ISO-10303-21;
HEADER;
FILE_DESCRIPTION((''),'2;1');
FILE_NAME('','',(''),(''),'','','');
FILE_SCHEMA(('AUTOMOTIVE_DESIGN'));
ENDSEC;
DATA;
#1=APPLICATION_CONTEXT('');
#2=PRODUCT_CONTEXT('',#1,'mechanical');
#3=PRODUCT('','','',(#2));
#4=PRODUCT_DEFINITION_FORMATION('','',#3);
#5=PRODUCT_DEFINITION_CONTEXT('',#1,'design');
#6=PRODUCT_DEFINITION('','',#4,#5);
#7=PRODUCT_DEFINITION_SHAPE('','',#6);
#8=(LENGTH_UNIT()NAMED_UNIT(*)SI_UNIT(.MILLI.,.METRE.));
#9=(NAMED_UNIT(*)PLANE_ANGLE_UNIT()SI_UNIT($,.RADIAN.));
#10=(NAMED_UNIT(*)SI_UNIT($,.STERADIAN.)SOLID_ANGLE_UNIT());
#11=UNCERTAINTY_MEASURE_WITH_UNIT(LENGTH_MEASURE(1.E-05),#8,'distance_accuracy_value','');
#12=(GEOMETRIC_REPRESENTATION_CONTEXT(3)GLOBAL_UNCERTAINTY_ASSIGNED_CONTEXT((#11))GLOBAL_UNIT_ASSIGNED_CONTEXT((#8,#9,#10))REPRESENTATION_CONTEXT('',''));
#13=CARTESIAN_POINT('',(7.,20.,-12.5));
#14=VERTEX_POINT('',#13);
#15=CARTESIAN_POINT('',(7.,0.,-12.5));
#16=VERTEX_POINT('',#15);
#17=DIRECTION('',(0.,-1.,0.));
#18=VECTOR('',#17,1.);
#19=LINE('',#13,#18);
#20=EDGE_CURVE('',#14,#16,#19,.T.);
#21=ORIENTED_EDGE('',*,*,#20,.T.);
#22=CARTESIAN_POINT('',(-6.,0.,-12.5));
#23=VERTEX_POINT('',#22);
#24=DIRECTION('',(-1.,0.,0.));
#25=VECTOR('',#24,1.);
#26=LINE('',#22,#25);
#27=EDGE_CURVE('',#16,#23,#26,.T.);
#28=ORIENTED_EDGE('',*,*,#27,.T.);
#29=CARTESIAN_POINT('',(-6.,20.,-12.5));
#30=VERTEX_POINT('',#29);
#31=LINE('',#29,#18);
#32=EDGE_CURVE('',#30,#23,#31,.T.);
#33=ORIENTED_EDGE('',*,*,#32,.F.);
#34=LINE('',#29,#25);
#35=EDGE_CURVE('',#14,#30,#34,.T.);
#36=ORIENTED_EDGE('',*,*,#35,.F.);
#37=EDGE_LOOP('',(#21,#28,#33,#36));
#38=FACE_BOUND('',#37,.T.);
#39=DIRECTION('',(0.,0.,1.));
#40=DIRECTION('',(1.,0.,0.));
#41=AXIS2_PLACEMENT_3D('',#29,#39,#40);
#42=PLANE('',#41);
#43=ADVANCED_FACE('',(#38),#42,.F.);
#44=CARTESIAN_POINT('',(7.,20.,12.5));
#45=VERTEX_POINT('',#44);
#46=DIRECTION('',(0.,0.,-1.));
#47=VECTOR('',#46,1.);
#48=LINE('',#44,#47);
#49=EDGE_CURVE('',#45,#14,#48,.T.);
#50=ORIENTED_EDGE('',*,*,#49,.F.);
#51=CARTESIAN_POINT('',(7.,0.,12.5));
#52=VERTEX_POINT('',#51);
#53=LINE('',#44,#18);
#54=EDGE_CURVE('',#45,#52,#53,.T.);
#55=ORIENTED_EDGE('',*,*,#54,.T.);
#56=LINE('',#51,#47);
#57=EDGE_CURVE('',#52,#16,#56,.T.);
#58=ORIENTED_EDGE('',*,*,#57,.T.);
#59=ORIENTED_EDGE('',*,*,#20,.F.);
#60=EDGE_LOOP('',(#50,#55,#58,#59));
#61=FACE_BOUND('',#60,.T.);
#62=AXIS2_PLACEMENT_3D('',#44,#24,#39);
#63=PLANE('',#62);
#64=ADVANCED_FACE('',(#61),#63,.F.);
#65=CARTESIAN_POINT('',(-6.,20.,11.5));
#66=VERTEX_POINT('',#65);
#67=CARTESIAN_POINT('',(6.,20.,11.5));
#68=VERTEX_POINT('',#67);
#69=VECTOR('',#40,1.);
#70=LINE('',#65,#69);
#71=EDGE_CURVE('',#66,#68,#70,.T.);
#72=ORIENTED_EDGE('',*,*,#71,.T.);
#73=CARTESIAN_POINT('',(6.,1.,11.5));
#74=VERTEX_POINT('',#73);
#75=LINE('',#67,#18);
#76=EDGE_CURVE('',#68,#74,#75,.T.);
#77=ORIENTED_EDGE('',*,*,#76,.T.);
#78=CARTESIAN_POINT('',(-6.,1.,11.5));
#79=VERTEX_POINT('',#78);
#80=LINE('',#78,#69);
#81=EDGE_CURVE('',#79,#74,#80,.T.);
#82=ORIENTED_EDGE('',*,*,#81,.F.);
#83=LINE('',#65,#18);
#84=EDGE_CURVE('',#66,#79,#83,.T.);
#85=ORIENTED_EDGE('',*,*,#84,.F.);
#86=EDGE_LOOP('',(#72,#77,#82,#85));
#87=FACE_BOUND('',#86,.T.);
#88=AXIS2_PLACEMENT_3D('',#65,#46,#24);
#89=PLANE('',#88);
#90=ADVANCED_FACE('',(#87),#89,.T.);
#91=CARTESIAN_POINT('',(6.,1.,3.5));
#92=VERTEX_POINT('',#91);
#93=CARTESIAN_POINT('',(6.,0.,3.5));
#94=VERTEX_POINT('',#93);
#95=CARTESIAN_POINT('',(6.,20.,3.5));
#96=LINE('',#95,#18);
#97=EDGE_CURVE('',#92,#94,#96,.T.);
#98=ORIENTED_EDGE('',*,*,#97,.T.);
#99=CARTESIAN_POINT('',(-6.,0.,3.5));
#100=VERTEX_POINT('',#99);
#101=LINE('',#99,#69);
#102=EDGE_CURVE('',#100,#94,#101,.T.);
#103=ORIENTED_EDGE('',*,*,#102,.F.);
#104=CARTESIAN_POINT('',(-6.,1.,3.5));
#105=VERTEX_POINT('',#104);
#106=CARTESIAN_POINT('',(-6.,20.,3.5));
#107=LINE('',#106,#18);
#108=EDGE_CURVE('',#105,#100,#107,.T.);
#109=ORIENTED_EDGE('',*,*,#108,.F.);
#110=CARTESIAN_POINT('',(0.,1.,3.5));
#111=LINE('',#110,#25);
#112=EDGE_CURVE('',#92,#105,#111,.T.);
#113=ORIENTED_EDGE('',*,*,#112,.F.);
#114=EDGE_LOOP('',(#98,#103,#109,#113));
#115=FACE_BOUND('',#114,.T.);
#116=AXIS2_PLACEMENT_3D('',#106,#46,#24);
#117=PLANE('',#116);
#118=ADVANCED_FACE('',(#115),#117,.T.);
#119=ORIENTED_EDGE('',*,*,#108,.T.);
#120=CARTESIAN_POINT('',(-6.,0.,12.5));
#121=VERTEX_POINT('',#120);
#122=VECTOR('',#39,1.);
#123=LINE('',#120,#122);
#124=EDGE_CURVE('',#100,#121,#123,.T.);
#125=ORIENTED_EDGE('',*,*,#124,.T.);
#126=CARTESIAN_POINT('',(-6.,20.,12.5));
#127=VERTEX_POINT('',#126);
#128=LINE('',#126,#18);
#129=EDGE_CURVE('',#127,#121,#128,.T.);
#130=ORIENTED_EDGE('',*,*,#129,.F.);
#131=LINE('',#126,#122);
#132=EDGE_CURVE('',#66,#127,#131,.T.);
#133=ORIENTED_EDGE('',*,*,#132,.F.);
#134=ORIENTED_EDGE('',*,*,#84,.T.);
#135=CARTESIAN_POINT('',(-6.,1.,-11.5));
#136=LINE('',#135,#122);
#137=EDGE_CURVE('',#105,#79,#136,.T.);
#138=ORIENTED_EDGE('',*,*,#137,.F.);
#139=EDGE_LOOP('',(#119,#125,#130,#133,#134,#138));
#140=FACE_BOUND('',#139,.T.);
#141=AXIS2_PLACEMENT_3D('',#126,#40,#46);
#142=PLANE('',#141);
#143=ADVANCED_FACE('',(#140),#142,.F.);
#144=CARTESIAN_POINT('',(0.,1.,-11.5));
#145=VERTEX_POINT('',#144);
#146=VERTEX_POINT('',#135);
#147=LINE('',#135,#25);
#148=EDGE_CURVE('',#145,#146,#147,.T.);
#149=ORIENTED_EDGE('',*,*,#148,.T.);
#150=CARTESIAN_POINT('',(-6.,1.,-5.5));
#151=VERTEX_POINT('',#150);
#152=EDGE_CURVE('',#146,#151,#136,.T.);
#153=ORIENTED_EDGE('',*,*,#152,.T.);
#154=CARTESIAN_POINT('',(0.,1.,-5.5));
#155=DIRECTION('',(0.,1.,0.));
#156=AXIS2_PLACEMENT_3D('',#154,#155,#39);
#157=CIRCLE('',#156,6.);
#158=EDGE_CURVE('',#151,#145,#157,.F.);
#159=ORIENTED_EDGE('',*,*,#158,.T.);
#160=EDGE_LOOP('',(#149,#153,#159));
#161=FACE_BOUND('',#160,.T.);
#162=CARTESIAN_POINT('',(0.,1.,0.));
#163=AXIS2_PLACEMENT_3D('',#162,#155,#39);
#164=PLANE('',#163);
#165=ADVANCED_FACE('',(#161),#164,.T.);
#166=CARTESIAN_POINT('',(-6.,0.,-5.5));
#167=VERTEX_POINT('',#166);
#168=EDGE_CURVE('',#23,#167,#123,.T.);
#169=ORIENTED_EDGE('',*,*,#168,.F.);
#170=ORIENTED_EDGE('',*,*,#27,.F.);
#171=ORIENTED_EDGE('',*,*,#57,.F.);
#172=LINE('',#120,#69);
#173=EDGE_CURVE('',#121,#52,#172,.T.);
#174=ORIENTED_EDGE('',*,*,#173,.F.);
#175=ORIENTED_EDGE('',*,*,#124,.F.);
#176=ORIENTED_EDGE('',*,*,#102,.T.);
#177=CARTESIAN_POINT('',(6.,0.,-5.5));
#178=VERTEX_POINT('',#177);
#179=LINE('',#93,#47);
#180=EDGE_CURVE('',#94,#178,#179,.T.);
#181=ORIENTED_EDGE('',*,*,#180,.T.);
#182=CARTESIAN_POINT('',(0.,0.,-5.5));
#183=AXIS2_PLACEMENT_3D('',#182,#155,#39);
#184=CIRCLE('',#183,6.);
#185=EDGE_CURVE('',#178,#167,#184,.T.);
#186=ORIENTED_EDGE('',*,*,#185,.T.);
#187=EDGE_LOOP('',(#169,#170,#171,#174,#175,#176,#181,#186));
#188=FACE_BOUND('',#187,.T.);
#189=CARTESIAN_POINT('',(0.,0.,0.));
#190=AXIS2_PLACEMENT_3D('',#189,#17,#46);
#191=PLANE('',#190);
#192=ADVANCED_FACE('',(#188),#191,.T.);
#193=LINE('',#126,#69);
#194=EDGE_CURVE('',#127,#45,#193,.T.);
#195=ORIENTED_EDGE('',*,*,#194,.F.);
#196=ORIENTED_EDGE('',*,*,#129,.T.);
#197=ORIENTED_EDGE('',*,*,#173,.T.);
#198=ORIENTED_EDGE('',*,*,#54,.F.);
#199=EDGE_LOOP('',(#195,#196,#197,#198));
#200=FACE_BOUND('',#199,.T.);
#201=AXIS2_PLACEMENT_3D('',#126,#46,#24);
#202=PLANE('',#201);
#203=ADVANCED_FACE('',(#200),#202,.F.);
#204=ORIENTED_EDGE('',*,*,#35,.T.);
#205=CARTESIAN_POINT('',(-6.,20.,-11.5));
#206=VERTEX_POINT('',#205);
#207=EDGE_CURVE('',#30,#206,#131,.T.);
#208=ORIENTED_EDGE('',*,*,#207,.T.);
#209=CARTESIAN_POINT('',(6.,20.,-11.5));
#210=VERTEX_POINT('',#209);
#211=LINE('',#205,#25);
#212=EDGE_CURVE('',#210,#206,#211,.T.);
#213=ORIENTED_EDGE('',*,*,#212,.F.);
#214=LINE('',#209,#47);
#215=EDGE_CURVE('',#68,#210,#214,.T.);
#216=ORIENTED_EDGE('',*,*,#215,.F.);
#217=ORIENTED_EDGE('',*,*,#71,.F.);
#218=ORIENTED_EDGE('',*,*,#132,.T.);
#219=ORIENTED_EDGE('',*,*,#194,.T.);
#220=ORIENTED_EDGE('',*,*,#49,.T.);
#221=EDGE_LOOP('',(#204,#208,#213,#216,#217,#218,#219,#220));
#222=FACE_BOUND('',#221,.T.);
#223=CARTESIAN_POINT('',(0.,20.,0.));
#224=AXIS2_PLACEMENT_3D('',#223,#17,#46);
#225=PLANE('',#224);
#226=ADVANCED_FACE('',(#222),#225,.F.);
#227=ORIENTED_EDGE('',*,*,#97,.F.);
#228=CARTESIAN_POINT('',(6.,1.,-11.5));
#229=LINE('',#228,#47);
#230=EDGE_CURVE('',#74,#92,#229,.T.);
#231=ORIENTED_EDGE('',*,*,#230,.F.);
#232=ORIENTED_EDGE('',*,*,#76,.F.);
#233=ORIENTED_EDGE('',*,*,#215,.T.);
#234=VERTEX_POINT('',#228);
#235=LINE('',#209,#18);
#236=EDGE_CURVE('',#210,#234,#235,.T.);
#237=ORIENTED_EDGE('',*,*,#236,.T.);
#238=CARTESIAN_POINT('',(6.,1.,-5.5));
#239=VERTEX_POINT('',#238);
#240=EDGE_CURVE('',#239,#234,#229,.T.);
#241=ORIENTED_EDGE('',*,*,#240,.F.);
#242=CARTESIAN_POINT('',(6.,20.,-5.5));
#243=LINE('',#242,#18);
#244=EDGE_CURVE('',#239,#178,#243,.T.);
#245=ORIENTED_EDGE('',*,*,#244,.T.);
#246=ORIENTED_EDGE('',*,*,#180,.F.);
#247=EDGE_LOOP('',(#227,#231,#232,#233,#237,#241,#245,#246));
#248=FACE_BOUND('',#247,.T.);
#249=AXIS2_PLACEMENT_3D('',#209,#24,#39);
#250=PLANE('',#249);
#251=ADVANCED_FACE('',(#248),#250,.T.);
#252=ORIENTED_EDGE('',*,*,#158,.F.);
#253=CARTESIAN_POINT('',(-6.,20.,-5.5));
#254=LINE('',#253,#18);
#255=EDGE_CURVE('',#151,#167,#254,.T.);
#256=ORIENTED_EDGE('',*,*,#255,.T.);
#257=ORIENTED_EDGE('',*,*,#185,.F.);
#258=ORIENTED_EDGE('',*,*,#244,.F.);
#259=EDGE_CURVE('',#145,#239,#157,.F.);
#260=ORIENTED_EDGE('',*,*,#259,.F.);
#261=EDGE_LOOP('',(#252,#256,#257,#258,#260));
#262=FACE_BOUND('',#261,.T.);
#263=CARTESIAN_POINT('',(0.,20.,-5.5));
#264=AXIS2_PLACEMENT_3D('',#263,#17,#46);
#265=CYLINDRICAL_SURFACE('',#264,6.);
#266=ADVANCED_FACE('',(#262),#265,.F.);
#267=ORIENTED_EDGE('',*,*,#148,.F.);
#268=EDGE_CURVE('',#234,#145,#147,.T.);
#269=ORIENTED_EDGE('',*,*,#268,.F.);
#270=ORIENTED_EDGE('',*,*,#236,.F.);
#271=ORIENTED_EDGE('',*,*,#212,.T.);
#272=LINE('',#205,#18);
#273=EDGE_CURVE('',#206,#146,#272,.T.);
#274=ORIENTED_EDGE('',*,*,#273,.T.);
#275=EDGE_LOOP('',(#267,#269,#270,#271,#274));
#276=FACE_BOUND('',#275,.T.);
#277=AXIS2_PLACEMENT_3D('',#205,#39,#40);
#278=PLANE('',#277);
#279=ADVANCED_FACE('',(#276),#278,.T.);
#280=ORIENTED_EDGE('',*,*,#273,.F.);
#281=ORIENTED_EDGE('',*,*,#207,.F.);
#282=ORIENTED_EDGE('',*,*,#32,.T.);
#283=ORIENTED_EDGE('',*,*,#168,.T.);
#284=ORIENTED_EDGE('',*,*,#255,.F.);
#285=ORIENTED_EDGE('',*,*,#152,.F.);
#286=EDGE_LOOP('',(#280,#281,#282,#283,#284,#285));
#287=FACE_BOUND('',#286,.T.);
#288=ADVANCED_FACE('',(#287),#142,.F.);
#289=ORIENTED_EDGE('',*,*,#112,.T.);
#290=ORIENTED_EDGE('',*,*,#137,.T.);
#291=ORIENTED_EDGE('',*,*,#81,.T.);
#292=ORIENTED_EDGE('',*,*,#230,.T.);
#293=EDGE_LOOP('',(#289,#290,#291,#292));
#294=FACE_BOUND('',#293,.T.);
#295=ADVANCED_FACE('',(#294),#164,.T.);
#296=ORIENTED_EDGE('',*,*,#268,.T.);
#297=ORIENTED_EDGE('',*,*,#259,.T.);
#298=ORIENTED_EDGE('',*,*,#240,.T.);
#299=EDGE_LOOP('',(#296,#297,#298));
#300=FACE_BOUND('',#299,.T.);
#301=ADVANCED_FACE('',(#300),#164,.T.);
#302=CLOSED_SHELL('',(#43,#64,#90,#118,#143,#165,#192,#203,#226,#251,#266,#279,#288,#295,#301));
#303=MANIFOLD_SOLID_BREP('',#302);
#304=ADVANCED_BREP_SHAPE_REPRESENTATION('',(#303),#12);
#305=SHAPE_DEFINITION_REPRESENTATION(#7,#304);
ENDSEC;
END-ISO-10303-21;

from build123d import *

# Parameters (mm, degrees)
SKETCH_15_W          = 13
SKETCH_15_H          = 25
EXTRUDE_4_DEPTH      = 20
CUT_EXTRUDE_START    = 1
SKETCH_16_W          = 12
SKETCH_16_H          = 23
CUT_EXTRUDE_47_DEPTH = 24.6018292
CUT_EXTRUDE_48_DEPTH = 25.6018292


with BuildPart() as part:
    # 스케치15 → 보스-돌출4 (new body)
    with BuildSketch(Plane(origin=(0, 0, 0), x_dir=(1, 0, 0), z_dir=(0, 1, 0))):
        with Locations((0.5, 0)):
            Rectangle(SKETCH_15_W, SKETCH_15_H)
    extrude(amount=EXTRUDE_4_DEPTH)

    # 스케치16 → 컷-돌출47 (cut, through all)
    with BuildSketch(Plane(origin=(0, 0, 0), x_dir=(1, 0, 0), z_dir=(0, 1, 0)).offset(CUT_EXTRUDE_START)):
        Rectangle(SKETCH_16_W, SKETCH_16_H)
    extrude(amount=CUT_EXTRUDE_47_DEPTH, mode=Mode.SUBTRACT)

    # 스케치17 → 컷-돌출48 (cut, through all)
    with BuildSketch(Plane(origin=(0, 0, 0), x_dir=(1, 0, 0), z_dir=(0, 1, 0))):
        with BuildLine():
            Line((-6, -3.5), (6, -3.5))
            Line((6, -3.5), (6, 5.5))
            ThreePointArc((6, 5.5), (0, 11.5), (-6, 5.5))
            Line((-6, 5.5), (-6, -3.5))
        make_face()
    extrude(amount=CUT_EXTRUDE_48_DEPTH, mode=Mode.SUBTRACT)


solid = part.part
